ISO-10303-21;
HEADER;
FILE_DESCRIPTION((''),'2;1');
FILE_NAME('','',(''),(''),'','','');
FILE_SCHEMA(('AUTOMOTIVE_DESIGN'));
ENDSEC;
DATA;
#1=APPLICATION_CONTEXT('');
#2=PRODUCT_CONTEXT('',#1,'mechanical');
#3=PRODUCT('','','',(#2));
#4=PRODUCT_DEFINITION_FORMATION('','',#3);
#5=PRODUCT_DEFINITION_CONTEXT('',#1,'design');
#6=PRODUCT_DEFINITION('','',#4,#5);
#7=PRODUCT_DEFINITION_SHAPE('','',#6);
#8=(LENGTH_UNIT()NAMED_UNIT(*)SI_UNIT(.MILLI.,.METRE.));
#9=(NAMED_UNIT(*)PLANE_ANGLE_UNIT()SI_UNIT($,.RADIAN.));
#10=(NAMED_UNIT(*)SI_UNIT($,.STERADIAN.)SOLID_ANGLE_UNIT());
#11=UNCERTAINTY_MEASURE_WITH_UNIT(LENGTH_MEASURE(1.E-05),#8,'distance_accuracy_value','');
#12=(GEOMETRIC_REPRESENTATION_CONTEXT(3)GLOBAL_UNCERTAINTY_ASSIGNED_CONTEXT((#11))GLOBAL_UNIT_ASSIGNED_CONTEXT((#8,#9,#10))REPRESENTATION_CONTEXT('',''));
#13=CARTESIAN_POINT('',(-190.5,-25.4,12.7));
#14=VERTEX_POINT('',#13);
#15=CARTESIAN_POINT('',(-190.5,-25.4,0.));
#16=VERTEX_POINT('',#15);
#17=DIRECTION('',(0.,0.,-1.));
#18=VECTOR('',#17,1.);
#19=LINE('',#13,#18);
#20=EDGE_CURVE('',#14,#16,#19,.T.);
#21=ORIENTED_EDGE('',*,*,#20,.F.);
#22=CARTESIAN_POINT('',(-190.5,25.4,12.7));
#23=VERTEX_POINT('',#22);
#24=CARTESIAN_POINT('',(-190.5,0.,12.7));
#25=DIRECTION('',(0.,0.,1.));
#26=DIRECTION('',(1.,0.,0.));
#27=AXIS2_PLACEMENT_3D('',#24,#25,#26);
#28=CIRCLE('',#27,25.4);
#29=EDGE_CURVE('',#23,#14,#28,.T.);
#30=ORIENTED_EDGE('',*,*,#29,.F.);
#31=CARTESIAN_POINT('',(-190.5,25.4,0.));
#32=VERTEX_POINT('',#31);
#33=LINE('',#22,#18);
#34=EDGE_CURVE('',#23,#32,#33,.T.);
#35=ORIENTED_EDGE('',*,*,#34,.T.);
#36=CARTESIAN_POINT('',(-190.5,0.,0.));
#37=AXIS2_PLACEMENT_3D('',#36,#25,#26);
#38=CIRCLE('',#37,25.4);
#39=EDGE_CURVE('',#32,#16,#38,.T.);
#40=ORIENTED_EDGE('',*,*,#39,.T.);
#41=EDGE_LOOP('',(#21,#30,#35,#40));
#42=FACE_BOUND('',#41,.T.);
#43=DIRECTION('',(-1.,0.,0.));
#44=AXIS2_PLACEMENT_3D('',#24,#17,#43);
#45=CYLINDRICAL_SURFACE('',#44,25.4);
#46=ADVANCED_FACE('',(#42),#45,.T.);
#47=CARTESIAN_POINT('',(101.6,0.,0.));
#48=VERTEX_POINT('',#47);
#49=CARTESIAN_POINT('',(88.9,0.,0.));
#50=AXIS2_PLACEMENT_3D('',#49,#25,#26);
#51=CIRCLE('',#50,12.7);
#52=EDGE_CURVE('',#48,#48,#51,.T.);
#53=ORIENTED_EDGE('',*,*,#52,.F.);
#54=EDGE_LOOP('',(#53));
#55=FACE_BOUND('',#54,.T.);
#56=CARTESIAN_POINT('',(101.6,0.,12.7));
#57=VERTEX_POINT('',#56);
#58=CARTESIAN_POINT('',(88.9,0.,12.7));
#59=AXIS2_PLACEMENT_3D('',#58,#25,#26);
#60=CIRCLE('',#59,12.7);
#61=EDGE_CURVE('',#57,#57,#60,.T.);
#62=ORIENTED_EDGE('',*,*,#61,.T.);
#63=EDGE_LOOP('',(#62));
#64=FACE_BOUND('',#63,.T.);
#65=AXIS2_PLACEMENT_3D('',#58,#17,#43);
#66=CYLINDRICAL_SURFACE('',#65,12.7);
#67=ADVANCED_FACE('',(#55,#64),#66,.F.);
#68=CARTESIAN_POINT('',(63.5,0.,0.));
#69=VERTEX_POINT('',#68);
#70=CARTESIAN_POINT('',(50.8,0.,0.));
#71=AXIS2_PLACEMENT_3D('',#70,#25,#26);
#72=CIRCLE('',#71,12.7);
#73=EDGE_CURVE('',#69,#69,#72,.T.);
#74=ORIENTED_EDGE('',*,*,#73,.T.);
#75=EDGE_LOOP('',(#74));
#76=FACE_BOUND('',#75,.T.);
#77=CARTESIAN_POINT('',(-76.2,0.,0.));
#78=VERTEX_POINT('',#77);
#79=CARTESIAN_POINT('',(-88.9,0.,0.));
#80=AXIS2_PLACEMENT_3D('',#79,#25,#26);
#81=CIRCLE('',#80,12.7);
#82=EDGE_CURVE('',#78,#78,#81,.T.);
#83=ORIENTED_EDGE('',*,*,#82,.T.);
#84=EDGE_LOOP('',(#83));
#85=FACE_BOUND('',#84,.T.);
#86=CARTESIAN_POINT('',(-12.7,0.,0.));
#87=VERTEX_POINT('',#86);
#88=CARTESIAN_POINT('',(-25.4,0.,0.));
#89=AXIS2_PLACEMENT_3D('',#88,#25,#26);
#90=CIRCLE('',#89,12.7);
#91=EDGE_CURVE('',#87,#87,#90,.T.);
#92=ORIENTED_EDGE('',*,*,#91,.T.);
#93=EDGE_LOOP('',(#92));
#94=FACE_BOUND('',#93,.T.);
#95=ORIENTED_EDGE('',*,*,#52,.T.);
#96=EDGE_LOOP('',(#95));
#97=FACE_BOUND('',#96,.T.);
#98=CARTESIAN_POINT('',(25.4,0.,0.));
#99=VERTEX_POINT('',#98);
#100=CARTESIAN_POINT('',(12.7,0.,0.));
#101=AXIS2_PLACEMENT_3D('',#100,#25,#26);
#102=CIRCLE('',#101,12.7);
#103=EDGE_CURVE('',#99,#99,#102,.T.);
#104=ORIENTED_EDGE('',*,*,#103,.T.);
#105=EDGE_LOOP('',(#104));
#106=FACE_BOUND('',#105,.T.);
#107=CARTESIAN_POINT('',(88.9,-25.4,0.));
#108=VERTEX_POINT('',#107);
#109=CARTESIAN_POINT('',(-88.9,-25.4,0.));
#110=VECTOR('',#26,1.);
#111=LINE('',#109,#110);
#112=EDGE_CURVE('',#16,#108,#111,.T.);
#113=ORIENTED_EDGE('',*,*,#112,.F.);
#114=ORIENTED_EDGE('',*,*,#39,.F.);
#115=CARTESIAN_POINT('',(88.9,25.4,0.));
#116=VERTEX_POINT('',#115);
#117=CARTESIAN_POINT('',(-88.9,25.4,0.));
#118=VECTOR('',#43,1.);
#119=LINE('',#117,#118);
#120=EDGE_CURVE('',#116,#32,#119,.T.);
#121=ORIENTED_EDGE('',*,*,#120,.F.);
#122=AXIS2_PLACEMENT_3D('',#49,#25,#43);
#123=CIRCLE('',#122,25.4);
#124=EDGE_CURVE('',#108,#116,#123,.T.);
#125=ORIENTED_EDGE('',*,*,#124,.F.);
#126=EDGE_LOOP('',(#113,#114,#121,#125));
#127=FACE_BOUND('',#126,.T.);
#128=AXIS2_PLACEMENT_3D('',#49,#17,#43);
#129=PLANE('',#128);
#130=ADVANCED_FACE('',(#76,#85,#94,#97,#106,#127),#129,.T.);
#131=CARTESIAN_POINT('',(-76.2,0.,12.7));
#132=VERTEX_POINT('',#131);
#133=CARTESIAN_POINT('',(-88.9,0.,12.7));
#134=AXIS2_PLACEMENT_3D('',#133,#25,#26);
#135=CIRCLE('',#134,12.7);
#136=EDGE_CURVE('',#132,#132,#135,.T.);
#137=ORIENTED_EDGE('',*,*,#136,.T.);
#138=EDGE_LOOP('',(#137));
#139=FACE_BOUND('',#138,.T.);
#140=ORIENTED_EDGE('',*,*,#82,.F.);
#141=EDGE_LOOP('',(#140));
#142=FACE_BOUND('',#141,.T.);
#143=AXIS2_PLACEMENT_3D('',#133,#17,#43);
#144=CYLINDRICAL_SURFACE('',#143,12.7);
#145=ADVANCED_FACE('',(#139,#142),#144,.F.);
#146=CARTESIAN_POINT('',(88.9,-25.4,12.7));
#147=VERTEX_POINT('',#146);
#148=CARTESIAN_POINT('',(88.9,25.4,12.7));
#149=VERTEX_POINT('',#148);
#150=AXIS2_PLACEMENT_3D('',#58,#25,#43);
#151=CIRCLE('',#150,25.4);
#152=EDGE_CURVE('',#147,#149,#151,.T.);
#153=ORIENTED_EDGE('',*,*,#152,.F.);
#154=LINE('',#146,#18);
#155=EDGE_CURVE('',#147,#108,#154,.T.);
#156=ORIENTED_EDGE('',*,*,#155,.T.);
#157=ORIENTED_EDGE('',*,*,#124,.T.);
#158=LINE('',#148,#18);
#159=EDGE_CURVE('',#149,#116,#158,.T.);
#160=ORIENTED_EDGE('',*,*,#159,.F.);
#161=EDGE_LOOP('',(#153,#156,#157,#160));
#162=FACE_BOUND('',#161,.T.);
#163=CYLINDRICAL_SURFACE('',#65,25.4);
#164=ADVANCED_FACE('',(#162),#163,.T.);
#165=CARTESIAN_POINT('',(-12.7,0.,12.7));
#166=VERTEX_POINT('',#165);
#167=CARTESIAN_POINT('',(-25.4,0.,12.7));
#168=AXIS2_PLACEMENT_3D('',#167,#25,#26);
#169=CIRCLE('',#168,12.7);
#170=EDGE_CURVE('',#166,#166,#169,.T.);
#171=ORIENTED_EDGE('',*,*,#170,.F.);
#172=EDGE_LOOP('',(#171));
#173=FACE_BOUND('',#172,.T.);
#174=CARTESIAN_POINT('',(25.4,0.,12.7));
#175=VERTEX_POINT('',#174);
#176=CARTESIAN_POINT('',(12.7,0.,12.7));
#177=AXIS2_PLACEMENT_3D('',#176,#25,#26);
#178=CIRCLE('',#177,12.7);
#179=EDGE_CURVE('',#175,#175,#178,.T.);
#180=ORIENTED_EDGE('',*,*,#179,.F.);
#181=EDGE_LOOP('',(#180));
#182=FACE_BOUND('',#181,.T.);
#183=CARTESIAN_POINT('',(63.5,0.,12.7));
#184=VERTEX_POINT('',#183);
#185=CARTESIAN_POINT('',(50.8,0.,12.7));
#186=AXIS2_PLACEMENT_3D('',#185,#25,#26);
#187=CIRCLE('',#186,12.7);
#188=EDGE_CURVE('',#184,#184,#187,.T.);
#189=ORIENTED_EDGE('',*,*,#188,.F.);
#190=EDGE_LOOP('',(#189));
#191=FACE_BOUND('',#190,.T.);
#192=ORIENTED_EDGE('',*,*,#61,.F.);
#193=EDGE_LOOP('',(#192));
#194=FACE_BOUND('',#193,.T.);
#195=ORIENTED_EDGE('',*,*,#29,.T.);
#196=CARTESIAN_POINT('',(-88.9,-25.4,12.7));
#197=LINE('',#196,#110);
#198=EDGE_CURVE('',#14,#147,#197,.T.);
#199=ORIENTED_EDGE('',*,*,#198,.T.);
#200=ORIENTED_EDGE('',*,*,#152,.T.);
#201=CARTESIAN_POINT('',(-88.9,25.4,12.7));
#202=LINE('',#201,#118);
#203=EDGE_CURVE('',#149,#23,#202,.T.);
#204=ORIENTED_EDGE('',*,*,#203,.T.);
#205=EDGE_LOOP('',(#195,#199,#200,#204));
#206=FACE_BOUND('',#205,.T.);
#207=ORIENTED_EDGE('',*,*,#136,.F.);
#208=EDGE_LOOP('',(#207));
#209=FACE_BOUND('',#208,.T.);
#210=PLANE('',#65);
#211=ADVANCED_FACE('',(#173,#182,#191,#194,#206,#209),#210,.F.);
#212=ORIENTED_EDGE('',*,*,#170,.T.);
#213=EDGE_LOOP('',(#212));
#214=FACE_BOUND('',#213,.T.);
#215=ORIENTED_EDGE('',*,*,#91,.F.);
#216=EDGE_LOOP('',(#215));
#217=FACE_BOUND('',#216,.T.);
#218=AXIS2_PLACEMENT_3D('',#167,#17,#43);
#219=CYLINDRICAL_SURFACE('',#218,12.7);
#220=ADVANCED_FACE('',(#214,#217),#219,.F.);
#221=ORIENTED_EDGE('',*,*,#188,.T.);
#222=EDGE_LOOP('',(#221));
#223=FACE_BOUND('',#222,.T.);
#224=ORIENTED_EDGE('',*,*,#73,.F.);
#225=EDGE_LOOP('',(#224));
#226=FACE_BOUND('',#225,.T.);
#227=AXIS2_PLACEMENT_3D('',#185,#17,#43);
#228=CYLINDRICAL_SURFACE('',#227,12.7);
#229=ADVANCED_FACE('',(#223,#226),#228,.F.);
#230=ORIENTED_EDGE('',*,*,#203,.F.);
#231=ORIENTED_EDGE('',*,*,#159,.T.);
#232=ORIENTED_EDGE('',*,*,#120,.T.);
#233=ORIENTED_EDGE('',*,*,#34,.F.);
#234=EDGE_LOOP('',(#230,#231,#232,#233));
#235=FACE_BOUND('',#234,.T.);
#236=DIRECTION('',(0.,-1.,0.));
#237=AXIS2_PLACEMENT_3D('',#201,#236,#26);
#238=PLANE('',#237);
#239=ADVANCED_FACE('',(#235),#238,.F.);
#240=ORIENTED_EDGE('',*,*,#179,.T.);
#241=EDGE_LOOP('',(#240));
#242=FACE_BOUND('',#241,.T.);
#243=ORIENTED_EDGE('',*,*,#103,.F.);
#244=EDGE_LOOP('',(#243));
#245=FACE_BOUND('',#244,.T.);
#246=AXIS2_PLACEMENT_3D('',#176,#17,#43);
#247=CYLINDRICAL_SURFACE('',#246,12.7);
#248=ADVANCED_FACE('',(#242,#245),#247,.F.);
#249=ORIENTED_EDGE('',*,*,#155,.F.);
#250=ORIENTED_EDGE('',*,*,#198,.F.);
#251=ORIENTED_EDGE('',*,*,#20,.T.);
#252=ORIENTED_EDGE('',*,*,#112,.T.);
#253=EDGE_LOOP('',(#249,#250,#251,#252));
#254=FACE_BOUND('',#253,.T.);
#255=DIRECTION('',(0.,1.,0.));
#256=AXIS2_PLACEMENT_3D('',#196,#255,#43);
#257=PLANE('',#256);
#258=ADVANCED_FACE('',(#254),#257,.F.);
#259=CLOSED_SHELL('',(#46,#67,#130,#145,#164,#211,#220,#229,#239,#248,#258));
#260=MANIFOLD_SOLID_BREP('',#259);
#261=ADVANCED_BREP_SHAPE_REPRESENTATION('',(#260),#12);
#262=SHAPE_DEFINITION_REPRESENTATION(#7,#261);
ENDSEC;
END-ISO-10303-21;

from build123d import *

# Parameters (mm, degrees)
SKETCH1_R           = 12.7
BOSS_EXTRUDE1_DEPTH = 12.7


with BuildPart() as part:
    # Sketch1 → Boss-Extrude1 (new body)
    with BuildSketch(Plane.XY):
        with BuildLine():
            Line((-88.9, 25.4), (88.9, 25.4))
            ThreePointArc((88.9, 25.4), (114.3, 0), (88.9, -25.4))
            Line((88.9, -25.4), (-88.9, -25.4))
            Line((-88.9, -25.4), (-190.5, -25.4))
            ThreePointArc((-190.5, -25.4), (-215.9, 0), (-190.5, 25.4))
            Line((-190.5, 25.4), (-88.9, 25.4))
        make_face()
        with Locations((-88.9, 0)):
            Circle(SKETCH1_R, mode=Mode.SUBTRACT)
        with Locations((88.9, 0)):
            Circle(SKETCH1_R, mode=Mode.SUBTRACT)
        with Locations((50.8, 0)):
            Circle(SKETCH1_R, mode=Mode.SUBTRACT)
        with Locations((12.7, 0)):
            Circle(SKETCH1_R, mode=Mode.SUBTRACT)
        with Locations((-25.4, 0)):
            Circle(SKETCH1_R, mode=Mode.SUBTRACT)
    extrude(amount=BOSS_EXTRUDE1_DEPTH)


solid = part.part
